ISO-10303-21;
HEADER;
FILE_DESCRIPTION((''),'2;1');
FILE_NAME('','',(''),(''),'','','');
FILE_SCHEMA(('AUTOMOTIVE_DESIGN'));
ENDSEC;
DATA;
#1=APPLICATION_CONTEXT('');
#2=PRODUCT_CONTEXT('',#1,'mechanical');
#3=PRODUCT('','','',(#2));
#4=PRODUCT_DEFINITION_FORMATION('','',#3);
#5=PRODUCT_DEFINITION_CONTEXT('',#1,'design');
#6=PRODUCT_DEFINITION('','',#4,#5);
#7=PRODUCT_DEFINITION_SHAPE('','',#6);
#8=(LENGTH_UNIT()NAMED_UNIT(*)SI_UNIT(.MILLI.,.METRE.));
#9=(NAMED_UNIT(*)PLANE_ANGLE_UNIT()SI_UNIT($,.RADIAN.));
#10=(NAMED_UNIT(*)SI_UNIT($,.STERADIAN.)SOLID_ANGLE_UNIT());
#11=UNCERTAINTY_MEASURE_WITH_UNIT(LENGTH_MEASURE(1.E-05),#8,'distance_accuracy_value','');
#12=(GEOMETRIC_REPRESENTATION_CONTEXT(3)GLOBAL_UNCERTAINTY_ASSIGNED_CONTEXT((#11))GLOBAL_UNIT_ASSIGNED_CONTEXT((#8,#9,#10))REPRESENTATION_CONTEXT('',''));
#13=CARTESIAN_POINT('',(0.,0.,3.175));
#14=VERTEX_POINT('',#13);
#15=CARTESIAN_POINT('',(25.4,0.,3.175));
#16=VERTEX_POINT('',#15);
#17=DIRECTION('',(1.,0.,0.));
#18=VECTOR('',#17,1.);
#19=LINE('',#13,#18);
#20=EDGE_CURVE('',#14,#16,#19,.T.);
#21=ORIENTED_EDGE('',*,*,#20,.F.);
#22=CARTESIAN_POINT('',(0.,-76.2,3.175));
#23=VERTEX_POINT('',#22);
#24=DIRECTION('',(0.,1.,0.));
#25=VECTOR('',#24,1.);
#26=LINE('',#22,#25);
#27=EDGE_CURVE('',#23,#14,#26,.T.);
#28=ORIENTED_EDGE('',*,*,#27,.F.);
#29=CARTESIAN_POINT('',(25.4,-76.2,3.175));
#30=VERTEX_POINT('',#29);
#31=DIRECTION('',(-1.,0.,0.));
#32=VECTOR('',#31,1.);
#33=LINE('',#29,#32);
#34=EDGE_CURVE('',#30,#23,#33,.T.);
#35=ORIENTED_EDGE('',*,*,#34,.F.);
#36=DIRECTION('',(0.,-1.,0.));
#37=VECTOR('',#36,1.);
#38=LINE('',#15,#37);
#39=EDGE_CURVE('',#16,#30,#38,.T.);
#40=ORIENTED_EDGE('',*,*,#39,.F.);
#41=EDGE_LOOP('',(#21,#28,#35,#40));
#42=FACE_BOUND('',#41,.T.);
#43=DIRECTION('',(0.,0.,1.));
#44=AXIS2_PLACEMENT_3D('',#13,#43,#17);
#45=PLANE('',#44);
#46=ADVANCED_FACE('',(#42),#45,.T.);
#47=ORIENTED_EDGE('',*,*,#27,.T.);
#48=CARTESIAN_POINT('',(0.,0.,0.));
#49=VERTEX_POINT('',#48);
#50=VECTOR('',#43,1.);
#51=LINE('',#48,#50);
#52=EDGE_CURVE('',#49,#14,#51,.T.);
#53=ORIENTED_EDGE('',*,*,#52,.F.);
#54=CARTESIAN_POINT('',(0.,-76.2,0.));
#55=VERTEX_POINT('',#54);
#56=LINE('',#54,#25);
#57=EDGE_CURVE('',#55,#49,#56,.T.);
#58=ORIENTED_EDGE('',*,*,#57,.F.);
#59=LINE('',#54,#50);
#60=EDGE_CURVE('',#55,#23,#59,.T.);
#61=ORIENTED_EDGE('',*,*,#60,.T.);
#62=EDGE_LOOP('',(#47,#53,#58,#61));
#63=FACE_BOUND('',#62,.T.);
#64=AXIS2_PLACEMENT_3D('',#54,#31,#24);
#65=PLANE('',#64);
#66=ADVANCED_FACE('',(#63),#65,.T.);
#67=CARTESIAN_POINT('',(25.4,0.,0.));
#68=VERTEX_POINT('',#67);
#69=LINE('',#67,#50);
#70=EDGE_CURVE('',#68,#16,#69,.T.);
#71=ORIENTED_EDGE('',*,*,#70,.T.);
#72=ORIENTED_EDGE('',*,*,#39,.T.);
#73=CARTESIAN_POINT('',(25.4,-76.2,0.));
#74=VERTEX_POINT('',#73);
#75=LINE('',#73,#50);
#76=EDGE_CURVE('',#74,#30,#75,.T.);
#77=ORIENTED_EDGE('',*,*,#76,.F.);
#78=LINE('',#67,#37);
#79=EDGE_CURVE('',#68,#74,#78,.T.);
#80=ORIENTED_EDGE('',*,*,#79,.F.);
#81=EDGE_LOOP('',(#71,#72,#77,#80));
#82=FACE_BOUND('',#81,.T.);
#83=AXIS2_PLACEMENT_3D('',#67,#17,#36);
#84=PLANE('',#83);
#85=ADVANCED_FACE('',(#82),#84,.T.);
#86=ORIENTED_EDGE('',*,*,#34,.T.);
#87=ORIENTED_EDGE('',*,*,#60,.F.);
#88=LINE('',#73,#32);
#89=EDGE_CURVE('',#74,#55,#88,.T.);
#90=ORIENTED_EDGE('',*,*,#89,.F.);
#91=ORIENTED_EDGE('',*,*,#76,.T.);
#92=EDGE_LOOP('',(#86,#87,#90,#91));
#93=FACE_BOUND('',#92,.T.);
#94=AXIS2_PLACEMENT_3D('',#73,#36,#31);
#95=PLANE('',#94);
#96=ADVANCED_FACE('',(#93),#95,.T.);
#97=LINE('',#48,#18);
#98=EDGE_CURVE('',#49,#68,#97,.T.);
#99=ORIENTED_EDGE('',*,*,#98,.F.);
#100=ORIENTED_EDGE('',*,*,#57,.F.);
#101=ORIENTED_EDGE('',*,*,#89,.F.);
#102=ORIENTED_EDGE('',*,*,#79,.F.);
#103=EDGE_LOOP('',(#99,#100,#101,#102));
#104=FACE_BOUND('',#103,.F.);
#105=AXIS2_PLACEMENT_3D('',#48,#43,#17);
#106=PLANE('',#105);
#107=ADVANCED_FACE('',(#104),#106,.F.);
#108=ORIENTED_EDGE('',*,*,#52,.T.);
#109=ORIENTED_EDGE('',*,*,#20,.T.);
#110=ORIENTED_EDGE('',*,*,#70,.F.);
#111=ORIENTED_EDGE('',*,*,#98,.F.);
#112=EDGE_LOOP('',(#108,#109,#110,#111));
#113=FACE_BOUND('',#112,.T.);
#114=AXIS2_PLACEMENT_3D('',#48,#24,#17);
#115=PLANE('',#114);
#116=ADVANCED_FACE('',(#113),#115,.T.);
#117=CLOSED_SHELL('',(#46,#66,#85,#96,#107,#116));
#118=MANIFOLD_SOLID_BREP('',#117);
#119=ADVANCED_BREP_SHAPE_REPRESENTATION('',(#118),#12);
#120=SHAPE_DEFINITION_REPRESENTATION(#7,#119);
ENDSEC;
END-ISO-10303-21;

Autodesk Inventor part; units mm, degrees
ref_plane "YZ Plane" through (0, 0, 0) normal (1, 0, 0) x (0, 1, 0)
ref_plane "XZ Plane" through (0, 0, 0) normal (0, 1, 0) x (-1, 0, 0)
ref_plane "XY Plane" through (0, 0, 0) normal (0, 0, 1) x (1, 0, 0)
sketch "Sketch1" plane through (0, 0, 0) normal (0, 0, 1) x (1, 0, 0)
  line L0 (0, 0) -> (25.4, 0)
  line L1 (25.4, 0) -> (25.4, -76.2)
  line L2 (25.4, -76.2) -> (0, -76.2)
  line L3 (0, -76.2) -> (0, 0)
  dimension "d0" = 25.4
  dimension "d1" = 76.2
extrude "Extrusion1" add sketch "Sketch1" along normal blind 3.175
